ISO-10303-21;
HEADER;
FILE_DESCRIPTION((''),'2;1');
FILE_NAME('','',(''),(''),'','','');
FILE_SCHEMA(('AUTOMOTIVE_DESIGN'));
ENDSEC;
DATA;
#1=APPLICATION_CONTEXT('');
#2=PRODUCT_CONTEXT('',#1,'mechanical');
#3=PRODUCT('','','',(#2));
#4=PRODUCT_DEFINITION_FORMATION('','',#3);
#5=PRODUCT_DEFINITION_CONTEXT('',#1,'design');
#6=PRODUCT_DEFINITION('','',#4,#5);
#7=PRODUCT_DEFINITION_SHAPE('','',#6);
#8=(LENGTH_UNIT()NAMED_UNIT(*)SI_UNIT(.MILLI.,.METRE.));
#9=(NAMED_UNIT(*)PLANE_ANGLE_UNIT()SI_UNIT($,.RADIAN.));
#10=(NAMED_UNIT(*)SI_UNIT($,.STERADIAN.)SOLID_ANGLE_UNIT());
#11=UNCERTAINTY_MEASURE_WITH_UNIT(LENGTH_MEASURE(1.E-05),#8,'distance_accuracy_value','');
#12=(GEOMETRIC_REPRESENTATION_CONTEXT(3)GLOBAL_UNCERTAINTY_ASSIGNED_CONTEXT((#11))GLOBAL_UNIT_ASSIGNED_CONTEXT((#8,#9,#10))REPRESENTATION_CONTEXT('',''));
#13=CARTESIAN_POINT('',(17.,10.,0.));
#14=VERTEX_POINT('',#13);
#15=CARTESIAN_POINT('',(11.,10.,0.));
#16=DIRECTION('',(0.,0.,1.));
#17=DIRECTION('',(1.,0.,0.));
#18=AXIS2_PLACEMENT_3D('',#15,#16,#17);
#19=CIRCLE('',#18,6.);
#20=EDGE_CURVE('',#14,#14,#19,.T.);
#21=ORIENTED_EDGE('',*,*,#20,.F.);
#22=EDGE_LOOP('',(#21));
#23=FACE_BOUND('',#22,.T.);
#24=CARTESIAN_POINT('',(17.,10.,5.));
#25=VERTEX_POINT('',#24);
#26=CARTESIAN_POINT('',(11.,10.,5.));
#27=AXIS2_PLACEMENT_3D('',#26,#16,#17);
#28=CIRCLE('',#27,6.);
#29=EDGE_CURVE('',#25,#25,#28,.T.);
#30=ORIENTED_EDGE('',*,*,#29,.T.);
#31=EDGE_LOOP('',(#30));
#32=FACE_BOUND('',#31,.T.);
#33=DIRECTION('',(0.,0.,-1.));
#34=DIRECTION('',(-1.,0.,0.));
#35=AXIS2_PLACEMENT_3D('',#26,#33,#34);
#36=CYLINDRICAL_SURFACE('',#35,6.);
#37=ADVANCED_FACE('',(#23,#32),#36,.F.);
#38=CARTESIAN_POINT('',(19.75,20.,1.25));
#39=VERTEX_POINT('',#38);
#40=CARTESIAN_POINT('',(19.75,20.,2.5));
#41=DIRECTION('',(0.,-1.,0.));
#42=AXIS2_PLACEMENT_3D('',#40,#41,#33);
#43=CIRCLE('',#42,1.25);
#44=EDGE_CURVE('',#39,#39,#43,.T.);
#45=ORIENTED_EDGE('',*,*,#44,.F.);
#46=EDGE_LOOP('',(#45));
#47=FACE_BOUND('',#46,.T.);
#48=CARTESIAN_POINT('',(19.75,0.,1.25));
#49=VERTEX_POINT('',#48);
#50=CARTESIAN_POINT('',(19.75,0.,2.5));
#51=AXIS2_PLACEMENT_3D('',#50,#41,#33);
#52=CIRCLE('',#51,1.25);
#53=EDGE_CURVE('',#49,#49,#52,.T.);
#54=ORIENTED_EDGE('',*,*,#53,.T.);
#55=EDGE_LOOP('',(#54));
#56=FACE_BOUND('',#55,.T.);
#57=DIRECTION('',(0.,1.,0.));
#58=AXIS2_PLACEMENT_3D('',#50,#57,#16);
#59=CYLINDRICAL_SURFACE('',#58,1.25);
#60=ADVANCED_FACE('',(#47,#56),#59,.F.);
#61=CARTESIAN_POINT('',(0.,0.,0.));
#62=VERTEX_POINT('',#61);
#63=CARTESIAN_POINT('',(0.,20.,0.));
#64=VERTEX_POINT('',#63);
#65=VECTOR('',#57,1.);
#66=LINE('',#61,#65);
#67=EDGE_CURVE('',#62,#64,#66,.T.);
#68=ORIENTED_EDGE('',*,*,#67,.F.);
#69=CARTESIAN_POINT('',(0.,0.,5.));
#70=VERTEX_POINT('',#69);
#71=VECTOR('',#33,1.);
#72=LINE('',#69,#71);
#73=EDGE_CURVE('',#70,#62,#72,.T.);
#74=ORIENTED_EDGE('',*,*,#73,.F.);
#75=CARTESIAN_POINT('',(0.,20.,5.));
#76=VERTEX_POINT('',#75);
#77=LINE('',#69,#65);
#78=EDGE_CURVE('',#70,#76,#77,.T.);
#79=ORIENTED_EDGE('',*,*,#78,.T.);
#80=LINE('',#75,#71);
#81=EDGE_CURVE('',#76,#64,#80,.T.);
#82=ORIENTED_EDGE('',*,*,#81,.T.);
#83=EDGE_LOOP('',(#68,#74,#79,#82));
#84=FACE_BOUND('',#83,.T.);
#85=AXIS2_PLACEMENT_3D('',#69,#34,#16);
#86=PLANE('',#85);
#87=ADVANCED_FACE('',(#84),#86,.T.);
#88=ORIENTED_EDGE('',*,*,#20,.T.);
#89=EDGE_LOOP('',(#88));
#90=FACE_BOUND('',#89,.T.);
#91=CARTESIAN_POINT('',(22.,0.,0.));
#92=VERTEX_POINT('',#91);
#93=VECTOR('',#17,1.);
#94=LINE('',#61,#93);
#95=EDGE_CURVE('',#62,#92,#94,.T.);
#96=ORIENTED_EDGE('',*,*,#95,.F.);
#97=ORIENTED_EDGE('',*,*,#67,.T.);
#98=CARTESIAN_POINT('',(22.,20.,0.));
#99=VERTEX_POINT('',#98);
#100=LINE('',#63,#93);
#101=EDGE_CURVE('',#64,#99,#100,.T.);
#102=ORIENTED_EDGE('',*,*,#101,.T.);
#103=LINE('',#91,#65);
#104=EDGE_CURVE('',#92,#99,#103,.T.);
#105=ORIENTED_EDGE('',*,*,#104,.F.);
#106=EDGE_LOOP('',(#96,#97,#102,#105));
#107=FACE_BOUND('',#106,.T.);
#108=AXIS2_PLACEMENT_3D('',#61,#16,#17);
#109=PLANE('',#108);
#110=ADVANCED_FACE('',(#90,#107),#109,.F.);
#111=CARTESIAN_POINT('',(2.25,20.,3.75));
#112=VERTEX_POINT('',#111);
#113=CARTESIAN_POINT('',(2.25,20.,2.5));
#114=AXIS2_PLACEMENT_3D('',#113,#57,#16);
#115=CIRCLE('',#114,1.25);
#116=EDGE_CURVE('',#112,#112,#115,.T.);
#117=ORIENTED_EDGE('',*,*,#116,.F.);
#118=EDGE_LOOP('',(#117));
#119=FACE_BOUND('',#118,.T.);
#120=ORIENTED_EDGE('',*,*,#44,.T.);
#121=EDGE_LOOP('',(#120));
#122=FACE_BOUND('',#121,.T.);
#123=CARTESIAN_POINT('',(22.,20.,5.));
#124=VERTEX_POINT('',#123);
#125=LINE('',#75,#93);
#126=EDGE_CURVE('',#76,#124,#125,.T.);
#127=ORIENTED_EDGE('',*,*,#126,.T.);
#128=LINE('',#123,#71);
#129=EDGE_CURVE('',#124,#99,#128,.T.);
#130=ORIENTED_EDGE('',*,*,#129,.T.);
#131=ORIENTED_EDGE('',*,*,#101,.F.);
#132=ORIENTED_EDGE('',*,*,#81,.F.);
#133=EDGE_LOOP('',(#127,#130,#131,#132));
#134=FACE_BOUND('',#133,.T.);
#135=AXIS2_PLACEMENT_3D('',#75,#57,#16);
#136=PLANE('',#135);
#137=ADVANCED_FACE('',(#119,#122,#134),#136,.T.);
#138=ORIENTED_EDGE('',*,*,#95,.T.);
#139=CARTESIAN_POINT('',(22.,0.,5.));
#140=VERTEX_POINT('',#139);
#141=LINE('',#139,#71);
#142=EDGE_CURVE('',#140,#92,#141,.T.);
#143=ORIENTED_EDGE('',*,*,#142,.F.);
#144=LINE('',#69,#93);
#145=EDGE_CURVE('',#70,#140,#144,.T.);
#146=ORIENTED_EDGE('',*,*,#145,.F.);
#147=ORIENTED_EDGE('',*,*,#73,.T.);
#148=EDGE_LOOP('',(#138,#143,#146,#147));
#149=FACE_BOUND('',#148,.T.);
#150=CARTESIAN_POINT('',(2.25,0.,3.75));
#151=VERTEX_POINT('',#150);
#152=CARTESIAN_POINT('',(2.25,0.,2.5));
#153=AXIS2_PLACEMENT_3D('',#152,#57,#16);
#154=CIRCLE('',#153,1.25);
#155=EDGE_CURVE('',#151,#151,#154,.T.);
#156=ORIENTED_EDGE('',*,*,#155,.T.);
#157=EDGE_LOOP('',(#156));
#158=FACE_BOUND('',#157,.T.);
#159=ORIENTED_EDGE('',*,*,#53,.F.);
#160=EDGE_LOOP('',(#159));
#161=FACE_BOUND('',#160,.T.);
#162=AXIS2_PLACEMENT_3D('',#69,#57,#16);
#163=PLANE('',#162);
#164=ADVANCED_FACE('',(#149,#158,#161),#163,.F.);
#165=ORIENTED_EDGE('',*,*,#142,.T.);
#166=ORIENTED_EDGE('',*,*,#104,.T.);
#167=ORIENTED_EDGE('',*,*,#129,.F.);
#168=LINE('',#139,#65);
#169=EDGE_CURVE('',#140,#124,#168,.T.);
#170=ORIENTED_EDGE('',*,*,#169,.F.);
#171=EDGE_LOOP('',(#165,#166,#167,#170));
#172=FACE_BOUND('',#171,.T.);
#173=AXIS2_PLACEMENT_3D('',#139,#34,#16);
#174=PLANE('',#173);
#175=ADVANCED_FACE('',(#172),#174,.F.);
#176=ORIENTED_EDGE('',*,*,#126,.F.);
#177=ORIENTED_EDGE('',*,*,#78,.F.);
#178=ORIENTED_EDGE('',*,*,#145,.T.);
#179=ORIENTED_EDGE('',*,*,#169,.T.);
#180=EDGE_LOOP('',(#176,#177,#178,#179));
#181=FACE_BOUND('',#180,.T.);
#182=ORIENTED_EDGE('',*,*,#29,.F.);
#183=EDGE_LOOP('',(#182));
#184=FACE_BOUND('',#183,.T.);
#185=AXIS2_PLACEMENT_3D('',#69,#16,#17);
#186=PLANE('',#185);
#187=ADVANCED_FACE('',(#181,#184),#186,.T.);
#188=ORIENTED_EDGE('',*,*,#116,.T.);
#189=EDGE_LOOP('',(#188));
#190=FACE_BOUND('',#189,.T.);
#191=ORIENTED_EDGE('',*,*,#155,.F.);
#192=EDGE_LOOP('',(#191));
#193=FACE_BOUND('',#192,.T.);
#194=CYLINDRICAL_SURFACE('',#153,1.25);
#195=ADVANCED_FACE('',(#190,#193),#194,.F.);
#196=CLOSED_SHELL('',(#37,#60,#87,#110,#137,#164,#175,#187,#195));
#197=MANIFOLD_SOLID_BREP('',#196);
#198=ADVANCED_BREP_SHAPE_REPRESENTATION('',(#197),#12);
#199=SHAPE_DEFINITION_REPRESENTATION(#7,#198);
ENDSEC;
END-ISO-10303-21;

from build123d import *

# Parameters (mm, degrees)
BOSS_EXTRUDE1_DEPTH = 5
SKETCH11_R          = 1.25
CUT_EXTRUDE1_DEPTH  = 31.149626863


with BuildPart() as part:
    # Sketch1 → Boss-Extrude1 (new body)
    with BuildSketch(Plane.XY):
        with BuildLine():
            Line((0, 20), (0, 10))
            Line((0, 10), (5, 10))
            ThreePointArc((5, 10), (11, 16), (17, 10))
            Line((17, 10), (22, 10))
            Line((22, 10), (22, 20))
            Line((22, 20), (0, 20))
        make_face()
        with BuildLine():
            Line((0, 10), (0, 0))
            Line((0, 0), (22, 0))
            Line((22, 0), (22, 10))
            Line((22, 10), (17, 10))
            ThreePointArc((17, 10), (11, 4), (5, 10))
            Line((5, 10), (0, 10))
        make_face()
    extrude(amount=BOSS_EXTRUDE1_DEPTH)

    # Sketch11 → Cut-Extrude1 (cut, through all)
    with BuildSketch(Plane(origin=(0, 20, 0), x_dir=(1, 0, 0), z_dir=(0, 1, 0))):
        with Locations(Location((2.25, -2.5, 0), (0, 0, 270))):
            Circle(SKETCH11_R)
        with Locations(Location((19.75, -2.5, 0), (0, 0, 90))):
            Circle(SKETCH11_R)
    extrude(amount=-CUT_EXTRUDE1_DEPTH, mode=Mode.SUBTRACT)


solid = part.part
